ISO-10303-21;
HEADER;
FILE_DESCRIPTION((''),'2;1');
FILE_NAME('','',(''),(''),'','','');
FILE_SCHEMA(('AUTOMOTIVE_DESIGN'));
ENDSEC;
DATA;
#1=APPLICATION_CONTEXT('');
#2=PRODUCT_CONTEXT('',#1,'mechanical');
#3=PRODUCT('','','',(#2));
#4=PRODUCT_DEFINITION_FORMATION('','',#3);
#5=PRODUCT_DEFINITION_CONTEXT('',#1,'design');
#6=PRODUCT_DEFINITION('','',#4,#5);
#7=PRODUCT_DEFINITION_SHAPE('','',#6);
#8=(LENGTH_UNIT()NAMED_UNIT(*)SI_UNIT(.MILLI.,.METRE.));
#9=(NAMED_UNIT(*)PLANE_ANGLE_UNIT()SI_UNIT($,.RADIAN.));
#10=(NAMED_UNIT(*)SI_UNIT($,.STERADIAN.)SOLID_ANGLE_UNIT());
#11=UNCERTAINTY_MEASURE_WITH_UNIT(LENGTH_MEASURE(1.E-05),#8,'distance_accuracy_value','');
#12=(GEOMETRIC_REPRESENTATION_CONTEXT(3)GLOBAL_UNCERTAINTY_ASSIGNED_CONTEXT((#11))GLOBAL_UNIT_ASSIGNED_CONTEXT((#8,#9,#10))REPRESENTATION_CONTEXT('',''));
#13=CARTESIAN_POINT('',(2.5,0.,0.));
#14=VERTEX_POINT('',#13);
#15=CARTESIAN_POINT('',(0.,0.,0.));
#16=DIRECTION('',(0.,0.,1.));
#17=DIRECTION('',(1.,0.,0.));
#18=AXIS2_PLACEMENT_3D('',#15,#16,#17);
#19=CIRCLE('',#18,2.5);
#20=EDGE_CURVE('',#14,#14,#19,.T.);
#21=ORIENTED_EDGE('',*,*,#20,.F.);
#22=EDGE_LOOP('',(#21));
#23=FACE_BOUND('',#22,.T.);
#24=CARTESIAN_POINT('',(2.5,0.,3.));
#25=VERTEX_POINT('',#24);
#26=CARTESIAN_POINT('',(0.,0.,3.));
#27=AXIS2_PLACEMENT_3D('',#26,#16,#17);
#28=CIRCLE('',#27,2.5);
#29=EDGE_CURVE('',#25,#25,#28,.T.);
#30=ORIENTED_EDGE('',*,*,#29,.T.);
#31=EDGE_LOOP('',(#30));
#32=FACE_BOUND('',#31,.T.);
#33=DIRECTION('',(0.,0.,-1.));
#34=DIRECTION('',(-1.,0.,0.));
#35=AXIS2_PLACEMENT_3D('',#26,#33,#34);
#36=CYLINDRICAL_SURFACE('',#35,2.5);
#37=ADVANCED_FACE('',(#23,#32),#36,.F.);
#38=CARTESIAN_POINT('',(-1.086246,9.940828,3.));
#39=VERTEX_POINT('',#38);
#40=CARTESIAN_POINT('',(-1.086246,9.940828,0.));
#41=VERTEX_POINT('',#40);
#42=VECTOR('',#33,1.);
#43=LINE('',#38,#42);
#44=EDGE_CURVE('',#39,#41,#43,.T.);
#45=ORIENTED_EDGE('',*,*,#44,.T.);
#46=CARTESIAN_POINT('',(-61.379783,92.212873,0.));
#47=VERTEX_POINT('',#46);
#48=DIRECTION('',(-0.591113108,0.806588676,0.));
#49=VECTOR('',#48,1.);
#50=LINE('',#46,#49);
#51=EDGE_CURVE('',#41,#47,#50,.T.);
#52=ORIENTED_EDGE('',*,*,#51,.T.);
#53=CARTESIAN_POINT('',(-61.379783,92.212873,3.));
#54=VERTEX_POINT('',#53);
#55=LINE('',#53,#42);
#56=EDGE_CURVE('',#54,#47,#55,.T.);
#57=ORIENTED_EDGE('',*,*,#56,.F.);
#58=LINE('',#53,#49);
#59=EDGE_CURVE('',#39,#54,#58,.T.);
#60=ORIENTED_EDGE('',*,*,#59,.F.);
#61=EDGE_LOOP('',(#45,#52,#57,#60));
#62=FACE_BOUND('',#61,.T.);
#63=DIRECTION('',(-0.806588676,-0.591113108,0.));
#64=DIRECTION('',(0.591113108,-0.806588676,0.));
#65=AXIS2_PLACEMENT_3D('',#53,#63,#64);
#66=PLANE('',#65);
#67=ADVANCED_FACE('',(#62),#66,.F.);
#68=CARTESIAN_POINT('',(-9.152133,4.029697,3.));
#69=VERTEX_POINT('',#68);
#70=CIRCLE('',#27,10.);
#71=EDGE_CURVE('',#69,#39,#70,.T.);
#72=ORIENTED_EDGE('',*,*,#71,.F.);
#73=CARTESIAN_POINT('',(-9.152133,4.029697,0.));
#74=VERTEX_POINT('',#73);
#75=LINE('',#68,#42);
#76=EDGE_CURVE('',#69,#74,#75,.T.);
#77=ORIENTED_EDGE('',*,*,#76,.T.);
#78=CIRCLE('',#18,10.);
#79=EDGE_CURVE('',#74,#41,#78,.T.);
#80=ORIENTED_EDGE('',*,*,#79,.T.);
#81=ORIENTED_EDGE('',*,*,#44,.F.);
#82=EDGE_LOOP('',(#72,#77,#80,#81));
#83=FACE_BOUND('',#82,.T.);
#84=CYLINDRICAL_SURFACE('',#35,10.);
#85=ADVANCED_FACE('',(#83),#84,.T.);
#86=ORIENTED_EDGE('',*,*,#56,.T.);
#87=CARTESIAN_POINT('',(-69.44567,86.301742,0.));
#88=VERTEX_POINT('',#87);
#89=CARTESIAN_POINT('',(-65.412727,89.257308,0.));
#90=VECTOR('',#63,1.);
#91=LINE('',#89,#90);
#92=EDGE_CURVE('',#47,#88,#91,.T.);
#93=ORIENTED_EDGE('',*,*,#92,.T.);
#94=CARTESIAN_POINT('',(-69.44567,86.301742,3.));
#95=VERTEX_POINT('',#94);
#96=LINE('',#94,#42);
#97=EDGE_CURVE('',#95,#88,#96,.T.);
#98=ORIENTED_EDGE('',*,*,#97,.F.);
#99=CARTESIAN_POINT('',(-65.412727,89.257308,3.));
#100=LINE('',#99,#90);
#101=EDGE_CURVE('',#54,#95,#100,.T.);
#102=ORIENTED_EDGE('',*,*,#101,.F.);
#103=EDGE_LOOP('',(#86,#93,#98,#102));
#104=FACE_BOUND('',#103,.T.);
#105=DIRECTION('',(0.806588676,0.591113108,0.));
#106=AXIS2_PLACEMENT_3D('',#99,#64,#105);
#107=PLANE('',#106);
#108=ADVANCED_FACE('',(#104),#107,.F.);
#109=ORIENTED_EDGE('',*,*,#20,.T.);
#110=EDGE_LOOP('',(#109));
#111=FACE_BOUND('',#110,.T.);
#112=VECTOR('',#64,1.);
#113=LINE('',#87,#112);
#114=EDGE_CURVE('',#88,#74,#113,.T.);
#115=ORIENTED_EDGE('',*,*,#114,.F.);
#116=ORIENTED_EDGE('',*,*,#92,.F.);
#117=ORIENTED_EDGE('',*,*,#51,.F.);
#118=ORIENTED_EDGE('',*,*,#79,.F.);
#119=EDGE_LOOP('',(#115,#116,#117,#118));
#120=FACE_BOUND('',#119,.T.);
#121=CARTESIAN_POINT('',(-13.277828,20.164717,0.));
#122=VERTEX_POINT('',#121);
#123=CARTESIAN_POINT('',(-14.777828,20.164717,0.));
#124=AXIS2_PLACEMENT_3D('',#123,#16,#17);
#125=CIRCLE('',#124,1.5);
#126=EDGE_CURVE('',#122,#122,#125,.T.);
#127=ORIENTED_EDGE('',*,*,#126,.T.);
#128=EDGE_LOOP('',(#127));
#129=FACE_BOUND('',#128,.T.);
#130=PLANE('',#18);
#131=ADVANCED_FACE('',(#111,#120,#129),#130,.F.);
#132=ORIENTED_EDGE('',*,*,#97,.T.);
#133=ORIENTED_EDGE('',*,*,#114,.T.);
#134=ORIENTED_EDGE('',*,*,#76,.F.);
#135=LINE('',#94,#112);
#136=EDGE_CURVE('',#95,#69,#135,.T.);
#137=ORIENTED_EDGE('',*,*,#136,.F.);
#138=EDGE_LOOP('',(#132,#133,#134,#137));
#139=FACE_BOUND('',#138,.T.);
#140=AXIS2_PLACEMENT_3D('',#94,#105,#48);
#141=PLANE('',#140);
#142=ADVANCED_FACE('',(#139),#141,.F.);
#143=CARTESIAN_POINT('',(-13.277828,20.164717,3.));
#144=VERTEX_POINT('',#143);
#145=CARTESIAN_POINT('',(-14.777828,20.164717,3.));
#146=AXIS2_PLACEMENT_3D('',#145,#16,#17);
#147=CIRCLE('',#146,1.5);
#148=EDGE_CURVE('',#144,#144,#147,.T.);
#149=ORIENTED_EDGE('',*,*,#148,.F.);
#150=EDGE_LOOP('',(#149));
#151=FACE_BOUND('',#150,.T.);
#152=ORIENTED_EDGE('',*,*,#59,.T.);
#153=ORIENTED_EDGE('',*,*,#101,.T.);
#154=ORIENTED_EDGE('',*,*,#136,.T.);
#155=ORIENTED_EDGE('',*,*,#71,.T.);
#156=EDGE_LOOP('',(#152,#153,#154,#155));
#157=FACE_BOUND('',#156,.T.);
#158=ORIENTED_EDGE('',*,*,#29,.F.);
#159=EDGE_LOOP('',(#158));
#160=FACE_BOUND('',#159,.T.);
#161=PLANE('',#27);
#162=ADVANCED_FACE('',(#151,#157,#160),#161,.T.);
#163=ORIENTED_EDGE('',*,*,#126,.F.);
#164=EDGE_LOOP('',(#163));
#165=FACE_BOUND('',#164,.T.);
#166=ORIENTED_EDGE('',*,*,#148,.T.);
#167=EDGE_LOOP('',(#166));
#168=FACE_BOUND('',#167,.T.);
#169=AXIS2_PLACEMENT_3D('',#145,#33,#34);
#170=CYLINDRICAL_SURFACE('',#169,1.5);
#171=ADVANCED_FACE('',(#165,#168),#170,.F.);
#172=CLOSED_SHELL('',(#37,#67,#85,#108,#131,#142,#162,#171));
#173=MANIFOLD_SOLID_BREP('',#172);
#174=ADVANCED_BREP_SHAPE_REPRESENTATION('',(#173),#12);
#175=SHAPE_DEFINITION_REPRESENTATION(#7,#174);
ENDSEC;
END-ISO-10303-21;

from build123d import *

# Parameters (mm, degrees)
SKETCH1_R           = 2.5
SKETCH1_R_2         = 1.500000002
BOSS_EXTRUDE1_DEPTH = 3


with BuildPart() as part:
    # Sketch1 → Boss-Extrude1 (new body)
    with BuildSketch(Plane.XY):
        with BuildLine():
            Line((-65.41272675, 89.25730784), (-69.445670133, 86.301742297))
            Line((-69.445670133, 86.301742297), (-9.152133067, 4.0296973))
            ThreePointArc((-9.152133067, 4.0296973), (5.911131085, -8.065886764), (-1.086246302, 9.940828385))
            Line((-1.086246302, 9.940828385), (-61.379783368, 92.212873382))
            Line((-61.379783368, 92.212873382), (-65.41272675, 89.25730784))
        make_face()
        Circle(SKETCH1_R, mode=Mode.SUBTRACT)
        with Locations((-14.777827712, 20.164716911)):
            Circle(SKETCH1_R_2, mode=Mode.SUBTRACT)
    extrude(amount=BOSS_EXTRUDE1_DEPTH)


solid = part.part
